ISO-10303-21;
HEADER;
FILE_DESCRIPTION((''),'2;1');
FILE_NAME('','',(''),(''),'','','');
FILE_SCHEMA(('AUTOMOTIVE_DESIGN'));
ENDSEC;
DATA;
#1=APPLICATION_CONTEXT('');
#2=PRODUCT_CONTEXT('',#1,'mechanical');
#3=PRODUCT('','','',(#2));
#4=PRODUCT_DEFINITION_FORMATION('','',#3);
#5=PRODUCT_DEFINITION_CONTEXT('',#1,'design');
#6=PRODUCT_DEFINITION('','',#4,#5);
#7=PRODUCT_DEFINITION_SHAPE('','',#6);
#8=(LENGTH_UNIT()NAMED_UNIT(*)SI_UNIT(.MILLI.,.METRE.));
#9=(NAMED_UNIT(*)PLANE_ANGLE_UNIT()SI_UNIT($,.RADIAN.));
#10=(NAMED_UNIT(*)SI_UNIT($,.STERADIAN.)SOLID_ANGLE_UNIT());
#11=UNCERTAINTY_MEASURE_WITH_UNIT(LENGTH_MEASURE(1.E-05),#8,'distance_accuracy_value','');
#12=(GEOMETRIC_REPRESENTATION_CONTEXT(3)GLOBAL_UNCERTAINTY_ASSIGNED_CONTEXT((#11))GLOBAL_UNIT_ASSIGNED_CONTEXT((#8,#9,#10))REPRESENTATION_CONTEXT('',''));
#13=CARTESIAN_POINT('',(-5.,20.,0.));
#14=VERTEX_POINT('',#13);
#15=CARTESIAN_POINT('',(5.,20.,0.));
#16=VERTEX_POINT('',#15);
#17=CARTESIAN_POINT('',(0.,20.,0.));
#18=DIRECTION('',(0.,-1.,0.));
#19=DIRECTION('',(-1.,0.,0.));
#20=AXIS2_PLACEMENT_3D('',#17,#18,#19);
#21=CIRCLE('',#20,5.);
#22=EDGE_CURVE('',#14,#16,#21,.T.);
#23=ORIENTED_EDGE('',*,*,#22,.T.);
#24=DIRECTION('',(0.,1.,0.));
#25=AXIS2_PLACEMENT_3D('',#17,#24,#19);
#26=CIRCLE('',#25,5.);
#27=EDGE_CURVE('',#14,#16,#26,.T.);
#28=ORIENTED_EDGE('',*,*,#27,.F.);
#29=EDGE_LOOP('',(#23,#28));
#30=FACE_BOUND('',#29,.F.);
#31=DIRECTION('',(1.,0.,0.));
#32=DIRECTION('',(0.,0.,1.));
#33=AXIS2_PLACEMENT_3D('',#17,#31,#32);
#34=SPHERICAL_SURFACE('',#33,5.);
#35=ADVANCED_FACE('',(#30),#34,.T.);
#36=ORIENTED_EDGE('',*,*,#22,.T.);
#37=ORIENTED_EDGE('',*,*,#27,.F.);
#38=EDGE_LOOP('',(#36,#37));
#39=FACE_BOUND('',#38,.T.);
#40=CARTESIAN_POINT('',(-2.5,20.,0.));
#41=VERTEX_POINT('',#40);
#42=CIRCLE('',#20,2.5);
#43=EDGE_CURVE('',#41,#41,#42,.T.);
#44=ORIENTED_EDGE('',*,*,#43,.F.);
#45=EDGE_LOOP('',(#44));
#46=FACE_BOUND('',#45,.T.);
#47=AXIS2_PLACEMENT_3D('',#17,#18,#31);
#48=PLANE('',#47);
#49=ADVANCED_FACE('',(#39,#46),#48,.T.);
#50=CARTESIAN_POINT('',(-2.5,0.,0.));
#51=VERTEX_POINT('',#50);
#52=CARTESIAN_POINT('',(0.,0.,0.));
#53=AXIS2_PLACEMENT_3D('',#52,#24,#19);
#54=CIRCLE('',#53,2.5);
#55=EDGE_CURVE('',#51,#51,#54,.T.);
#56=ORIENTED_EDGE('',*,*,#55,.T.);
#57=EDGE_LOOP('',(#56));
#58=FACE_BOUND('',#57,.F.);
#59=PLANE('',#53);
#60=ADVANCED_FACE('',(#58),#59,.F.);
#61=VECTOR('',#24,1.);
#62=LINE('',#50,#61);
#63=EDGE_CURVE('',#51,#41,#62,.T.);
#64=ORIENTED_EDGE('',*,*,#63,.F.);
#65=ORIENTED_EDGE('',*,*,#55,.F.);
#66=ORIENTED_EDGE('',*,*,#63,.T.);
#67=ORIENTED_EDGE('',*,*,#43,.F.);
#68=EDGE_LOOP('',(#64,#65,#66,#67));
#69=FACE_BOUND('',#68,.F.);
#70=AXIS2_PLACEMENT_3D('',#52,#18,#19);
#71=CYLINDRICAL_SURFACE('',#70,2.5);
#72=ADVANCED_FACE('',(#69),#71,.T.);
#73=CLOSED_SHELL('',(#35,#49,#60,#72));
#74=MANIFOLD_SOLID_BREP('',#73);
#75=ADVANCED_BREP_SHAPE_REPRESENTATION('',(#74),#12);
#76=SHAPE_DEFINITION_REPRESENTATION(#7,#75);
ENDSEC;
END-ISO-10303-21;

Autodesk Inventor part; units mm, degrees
ref_plane "YZ Plane" through (0, 0, 0) normal (1, 0, 0) x (0, 1, 0)
ref_plane "XZ Plane" through (0, 0, 0) normal (0, 1, 0) x (-1, 0, 0)
sketch "Sketch1" plane through (0, 0, 0) normal (0, 1, 0) x (-1, 0, 0)
  circle A0 centre (0, 0) radius 2.5
  dimension "d0" = 5
extrude "Extrusion1" add sketch "Sketch1" along normal blind 20
ref_plane "Work Plane1" through (0, 22.8, 0) normal (0, 1, 0) x (1, 0, 0)
sketch "Sketch5" plane through (0, 20, 0) normal (0, 1, 0) x (1, 0, 0)
  arc A0 (-5, 0) -> (5, 0) centre (0, 0) ccw
  line L0 (5, 0) -> (-5, 0)
  dimension "d11" = 5
revolve "Revolution1" add sketch "Sketch5" angle 180 about axis through (5, 20, 0) along (-1, 0, 0)
properties part number "TornilloBaseTapa"
